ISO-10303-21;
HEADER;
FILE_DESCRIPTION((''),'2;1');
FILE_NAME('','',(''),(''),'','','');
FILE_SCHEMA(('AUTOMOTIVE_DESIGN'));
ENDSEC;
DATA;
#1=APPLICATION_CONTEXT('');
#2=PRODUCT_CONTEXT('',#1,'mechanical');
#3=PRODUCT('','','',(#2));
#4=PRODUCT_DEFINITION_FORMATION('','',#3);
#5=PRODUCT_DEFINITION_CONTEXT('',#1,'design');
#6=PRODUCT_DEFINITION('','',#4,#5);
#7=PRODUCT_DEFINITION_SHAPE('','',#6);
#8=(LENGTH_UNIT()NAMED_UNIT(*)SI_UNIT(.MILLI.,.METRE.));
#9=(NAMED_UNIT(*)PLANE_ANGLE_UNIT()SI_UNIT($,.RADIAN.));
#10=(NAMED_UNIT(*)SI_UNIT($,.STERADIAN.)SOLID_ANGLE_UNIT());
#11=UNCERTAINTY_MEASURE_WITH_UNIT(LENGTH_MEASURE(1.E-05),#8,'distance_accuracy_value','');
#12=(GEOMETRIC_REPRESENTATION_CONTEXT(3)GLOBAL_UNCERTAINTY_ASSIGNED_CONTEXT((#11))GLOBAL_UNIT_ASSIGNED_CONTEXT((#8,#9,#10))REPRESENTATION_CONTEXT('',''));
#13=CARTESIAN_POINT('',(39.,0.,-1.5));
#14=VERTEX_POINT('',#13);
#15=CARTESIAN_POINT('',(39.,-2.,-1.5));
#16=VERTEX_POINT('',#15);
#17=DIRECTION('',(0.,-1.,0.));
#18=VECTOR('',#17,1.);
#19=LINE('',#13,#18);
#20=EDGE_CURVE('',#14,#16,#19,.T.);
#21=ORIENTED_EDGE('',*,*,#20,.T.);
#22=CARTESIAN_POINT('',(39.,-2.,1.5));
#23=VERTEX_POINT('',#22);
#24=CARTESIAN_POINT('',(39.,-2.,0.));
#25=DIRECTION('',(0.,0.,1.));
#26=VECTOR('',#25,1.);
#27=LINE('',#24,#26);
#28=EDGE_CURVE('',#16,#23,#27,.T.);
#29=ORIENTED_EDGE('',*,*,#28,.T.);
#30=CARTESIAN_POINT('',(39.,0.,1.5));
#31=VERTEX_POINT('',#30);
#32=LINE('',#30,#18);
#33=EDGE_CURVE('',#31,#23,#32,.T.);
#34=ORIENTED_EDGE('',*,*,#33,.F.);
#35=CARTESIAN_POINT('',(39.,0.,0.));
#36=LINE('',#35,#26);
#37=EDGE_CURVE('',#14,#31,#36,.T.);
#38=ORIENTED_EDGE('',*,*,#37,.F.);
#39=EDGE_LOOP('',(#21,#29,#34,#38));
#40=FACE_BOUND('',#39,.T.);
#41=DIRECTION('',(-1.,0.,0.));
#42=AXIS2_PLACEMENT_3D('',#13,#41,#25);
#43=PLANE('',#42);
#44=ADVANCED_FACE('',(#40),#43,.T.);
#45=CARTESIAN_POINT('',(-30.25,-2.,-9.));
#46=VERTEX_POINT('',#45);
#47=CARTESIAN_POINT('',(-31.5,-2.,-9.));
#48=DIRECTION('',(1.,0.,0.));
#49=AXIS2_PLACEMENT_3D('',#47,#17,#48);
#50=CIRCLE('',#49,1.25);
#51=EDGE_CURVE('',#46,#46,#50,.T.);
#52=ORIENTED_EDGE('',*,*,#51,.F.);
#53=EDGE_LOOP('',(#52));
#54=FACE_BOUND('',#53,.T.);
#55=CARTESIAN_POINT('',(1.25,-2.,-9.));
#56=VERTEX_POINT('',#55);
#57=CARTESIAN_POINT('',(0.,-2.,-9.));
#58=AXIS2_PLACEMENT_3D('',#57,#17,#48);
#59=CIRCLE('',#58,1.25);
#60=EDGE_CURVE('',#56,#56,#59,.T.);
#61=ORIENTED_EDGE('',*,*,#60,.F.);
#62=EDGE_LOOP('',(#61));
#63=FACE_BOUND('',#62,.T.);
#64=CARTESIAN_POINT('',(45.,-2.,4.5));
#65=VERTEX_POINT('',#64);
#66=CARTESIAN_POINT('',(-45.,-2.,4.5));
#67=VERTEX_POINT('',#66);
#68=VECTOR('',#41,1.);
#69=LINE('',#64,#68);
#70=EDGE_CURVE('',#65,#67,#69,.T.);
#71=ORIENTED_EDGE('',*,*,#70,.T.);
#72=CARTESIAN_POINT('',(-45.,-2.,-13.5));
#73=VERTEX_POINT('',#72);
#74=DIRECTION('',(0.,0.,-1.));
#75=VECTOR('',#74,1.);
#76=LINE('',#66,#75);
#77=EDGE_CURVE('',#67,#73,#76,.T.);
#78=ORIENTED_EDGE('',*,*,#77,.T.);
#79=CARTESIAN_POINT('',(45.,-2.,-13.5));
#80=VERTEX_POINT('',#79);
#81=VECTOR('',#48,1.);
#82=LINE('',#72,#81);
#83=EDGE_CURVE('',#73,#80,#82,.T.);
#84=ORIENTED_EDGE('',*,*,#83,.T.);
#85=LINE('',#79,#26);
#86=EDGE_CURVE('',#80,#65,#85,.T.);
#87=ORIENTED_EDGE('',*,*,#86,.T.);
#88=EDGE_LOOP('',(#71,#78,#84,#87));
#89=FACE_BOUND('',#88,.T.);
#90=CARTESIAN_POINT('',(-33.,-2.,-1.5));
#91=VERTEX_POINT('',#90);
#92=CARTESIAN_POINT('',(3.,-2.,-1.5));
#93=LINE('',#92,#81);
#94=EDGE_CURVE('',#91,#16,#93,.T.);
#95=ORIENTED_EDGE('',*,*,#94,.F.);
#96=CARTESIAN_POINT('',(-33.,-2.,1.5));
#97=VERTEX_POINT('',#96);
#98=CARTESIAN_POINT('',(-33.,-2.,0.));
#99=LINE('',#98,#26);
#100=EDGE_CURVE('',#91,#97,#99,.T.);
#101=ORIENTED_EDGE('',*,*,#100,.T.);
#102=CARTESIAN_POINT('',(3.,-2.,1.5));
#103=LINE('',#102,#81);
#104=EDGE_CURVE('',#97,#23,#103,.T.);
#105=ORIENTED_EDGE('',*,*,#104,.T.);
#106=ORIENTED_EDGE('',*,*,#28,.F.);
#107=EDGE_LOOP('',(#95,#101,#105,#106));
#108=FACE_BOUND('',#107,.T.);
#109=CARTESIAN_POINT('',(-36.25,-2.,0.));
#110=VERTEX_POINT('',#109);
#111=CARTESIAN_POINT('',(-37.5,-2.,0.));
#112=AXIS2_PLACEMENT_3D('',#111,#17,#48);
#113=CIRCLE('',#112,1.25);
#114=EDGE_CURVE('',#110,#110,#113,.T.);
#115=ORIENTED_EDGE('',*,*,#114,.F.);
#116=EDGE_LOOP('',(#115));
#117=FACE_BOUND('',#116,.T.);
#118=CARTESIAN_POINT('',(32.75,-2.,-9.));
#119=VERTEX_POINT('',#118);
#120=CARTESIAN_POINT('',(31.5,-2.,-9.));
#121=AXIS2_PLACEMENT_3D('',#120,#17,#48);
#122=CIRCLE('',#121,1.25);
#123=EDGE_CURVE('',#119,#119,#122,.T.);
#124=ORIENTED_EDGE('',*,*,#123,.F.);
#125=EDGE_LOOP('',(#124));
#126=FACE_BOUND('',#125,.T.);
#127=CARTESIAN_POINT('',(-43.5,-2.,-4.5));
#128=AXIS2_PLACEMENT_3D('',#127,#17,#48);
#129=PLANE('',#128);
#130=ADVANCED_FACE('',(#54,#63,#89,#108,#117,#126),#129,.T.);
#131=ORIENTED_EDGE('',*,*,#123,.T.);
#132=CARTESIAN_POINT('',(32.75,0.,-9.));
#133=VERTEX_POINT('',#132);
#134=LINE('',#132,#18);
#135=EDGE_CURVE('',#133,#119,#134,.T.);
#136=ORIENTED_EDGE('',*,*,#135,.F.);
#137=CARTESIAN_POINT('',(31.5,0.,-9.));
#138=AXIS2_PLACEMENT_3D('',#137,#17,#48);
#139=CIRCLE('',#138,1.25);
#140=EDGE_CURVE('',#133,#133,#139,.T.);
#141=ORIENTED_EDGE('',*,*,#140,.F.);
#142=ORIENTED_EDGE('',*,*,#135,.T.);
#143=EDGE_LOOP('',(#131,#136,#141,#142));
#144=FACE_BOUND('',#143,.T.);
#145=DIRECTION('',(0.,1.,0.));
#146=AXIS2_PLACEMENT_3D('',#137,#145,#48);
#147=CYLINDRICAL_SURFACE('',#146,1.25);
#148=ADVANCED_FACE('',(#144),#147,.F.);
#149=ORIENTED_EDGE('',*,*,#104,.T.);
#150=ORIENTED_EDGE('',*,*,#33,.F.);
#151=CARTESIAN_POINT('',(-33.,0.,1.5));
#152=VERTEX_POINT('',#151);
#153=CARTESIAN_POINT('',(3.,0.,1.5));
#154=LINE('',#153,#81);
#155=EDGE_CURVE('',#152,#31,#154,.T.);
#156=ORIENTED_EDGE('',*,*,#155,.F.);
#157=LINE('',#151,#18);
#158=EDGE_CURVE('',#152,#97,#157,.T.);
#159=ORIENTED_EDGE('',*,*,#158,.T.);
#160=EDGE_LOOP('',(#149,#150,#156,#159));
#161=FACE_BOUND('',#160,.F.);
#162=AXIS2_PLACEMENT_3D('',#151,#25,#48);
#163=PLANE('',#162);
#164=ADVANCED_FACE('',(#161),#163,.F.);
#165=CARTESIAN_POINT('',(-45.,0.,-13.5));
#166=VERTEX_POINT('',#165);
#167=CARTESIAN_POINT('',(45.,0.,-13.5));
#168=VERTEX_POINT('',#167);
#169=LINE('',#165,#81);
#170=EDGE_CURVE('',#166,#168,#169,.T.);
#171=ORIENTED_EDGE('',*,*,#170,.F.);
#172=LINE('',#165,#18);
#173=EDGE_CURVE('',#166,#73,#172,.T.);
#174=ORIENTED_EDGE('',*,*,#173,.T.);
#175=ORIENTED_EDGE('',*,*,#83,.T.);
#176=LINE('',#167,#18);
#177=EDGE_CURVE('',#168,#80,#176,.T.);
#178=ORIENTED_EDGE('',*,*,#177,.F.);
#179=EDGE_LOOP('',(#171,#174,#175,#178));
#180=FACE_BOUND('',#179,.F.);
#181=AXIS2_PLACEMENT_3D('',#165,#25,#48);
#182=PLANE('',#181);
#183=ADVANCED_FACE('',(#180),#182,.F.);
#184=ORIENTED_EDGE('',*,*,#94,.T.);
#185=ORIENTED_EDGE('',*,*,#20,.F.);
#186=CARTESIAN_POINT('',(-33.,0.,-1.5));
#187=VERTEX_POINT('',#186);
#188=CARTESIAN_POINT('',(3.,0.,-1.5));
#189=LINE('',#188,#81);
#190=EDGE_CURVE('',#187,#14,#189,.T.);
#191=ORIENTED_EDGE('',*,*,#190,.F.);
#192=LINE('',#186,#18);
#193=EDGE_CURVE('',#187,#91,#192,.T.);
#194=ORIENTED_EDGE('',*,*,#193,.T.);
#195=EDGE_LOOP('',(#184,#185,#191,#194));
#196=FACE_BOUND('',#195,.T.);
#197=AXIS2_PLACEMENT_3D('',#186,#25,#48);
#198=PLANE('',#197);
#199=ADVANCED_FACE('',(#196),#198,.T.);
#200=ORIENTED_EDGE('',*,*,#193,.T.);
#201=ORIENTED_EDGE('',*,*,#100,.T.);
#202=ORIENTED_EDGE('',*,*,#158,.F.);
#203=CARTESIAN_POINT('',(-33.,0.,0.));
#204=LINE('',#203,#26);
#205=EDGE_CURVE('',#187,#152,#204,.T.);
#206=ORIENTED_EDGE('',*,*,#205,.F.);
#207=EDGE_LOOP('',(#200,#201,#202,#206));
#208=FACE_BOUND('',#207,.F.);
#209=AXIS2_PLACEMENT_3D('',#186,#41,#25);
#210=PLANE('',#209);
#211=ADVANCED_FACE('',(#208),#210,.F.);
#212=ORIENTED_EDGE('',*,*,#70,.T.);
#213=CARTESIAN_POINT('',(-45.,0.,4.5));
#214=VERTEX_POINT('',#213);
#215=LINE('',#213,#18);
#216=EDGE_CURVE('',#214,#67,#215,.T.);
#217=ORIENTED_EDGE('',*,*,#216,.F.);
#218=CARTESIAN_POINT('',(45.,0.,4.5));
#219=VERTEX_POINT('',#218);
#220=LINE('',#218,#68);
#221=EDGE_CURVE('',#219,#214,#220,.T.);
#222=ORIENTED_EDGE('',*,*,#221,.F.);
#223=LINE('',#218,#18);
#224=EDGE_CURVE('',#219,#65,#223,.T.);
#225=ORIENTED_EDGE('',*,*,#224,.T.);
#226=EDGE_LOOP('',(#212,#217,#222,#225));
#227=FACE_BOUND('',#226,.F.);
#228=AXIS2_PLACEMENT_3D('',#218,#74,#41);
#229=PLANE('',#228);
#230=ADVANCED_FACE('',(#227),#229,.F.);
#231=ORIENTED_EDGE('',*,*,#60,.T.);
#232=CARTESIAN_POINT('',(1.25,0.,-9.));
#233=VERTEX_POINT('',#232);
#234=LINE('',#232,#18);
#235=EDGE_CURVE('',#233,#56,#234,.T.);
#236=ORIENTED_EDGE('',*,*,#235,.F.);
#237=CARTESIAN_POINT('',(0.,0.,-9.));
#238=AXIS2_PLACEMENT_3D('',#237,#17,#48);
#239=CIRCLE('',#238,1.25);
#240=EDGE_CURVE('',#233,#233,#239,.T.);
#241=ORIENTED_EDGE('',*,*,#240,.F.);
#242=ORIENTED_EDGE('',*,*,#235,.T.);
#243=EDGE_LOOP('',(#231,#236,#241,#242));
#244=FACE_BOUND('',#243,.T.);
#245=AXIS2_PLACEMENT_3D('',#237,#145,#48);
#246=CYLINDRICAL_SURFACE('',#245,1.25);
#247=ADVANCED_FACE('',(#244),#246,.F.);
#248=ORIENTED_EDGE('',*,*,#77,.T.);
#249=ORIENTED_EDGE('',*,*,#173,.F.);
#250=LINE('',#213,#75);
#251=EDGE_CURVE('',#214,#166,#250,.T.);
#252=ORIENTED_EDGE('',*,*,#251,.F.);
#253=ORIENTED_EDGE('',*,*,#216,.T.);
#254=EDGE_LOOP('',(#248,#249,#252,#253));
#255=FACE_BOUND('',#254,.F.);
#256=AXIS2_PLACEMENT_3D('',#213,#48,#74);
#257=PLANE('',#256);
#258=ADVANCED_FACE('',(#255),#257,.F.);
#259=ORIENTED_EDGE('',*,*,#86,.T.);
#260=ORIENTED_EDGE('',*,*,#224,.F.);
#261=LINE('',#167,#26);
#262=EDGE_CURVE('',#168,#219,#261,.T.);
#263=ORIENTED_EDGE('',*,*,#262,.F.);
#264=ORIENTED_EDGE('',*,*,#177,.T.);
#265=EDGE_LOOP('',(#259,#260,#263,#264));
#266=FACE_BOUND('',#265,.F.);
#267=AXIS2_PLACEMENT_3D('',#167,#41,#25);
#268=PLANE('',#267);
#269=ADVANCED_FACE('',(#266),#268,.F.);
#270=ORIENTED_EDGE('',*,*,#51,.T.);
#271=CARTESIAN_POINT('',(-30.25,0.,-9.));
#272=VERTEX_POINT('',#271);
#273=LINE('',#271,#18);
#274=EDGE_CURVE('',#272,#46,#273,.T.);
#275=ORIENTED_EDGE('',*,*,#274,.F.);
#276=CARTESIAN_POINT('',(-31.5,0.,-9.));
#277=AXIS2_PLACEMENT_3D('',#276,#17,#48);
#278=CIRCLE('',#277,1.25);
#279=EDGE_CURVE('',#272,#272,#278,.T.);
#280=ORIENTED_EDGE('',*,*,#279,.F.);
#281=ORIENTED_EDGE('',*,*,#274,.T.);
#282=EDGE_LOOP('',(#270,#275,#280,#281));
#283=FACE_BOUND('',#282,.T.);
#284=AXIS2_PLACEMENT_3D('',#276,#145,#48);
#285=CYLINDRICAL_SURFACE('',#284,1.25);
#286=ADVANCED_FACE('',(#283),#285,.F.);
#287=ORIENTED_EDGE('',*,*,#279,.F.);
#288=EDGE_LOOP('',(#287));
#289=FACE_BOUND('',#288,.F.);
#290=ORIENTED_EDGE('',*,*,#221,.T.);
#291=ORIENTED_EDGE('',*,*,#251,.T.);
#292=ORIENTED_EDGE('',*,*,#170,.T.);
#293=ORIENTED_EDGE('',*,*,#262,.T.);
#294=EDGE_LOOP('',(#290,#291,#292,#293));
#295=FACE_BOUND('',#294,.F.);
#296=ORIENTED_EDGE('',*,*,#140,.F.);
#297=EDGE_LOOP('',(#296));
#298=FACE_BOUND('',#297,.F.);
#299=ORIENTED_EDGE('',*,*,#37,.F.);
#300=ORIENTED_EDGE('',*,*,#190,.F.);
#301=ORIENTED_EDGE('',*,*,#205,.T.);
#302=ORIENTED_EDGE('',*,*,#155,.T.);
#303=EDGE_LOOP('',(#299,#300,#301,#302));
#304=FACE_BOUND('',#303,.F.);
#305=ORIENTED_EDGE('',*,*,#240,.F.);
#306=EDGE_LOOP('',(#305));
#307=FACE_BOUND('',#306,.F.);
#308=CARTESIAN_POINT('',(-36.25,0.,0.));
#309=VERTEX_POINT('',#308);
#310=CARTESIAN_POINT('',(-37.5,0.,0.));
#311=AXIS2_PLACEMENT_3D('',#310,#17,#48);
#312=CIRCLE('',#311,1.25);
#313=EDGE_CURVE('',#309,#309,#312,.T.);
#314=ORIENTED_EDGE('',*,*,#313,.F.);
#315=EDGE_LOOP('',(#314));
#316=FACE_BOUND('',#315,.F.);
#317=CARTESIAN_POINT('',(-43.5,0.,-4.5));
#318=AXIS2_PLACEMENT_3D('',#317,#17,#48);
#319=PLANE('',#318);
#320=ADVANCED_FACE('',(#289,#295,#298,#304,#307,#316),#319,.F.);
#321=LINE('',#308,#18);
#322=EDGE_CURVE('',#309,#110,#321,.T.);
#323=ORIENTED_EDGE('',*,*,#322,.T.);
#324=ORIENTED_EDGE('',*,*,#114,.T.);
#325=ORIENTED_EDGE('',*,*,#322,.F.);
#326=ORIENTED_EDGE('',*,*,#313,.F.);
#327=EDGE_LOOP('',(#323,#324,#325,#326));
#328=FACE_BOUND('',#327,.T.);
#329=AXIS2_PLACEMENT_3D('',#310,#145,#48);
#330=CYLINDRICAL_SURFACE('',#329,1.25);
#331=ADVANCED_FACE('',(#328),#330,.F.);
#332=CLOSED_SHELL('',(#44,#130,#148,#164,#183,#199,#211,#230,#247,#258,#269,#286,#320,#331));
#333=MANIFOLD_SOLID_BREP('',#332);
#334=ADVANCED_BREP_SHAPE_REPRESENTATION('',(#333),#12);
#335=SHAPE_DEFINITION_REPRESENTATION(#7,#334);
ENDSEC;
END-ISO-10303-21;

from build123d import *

# Parameters (mm, degrees)
F0_W     = 84
F0_H     = 9
F0_R     = 1.25
F0_W_2   = 72
F0_H_2   = 3
F1_DEPTH = 2


with BuildPart() as f1:
    # F0 (on Front) → F1 (new body)
    with BuildSketch(Plane.XZ):
        Polygon((-42, -4.5), (-42, 4.5), (-45, 4.5), (-45, -13.5), (-42, -13.5), align=None)
        Rectangle(F0_W, F0_H)
        with Locations((-37.5, 0)):
            Circle(F0_R, mode=Mode.SUBTRACT)
        with Locations((3, 0)):
            Rectangle(F0_W_2, F0_H_2, mode=Mode.SUBTRACT)
        Polygon((45, 4.5), (42, 4.5), (42, -4.5), (42, -13.5), (45, -13.5), align=None)
        with Locations((0, -9)):
            Rectangle(F0_W, F0_H)
        with Locations((-31.5, -9)):
            Circle(F0_R, mode=Mode.SUBTRACT)
        with Locations((0, -9)):
            Circle(F0_R, mode=Mode.SUBTRACT)
        with Locations((31.5, -9)):
            Circle(F0_R, mode=Mode.SUBTRACT)
    extrude(amount=F1_DEPTH)


solid = f1.part
